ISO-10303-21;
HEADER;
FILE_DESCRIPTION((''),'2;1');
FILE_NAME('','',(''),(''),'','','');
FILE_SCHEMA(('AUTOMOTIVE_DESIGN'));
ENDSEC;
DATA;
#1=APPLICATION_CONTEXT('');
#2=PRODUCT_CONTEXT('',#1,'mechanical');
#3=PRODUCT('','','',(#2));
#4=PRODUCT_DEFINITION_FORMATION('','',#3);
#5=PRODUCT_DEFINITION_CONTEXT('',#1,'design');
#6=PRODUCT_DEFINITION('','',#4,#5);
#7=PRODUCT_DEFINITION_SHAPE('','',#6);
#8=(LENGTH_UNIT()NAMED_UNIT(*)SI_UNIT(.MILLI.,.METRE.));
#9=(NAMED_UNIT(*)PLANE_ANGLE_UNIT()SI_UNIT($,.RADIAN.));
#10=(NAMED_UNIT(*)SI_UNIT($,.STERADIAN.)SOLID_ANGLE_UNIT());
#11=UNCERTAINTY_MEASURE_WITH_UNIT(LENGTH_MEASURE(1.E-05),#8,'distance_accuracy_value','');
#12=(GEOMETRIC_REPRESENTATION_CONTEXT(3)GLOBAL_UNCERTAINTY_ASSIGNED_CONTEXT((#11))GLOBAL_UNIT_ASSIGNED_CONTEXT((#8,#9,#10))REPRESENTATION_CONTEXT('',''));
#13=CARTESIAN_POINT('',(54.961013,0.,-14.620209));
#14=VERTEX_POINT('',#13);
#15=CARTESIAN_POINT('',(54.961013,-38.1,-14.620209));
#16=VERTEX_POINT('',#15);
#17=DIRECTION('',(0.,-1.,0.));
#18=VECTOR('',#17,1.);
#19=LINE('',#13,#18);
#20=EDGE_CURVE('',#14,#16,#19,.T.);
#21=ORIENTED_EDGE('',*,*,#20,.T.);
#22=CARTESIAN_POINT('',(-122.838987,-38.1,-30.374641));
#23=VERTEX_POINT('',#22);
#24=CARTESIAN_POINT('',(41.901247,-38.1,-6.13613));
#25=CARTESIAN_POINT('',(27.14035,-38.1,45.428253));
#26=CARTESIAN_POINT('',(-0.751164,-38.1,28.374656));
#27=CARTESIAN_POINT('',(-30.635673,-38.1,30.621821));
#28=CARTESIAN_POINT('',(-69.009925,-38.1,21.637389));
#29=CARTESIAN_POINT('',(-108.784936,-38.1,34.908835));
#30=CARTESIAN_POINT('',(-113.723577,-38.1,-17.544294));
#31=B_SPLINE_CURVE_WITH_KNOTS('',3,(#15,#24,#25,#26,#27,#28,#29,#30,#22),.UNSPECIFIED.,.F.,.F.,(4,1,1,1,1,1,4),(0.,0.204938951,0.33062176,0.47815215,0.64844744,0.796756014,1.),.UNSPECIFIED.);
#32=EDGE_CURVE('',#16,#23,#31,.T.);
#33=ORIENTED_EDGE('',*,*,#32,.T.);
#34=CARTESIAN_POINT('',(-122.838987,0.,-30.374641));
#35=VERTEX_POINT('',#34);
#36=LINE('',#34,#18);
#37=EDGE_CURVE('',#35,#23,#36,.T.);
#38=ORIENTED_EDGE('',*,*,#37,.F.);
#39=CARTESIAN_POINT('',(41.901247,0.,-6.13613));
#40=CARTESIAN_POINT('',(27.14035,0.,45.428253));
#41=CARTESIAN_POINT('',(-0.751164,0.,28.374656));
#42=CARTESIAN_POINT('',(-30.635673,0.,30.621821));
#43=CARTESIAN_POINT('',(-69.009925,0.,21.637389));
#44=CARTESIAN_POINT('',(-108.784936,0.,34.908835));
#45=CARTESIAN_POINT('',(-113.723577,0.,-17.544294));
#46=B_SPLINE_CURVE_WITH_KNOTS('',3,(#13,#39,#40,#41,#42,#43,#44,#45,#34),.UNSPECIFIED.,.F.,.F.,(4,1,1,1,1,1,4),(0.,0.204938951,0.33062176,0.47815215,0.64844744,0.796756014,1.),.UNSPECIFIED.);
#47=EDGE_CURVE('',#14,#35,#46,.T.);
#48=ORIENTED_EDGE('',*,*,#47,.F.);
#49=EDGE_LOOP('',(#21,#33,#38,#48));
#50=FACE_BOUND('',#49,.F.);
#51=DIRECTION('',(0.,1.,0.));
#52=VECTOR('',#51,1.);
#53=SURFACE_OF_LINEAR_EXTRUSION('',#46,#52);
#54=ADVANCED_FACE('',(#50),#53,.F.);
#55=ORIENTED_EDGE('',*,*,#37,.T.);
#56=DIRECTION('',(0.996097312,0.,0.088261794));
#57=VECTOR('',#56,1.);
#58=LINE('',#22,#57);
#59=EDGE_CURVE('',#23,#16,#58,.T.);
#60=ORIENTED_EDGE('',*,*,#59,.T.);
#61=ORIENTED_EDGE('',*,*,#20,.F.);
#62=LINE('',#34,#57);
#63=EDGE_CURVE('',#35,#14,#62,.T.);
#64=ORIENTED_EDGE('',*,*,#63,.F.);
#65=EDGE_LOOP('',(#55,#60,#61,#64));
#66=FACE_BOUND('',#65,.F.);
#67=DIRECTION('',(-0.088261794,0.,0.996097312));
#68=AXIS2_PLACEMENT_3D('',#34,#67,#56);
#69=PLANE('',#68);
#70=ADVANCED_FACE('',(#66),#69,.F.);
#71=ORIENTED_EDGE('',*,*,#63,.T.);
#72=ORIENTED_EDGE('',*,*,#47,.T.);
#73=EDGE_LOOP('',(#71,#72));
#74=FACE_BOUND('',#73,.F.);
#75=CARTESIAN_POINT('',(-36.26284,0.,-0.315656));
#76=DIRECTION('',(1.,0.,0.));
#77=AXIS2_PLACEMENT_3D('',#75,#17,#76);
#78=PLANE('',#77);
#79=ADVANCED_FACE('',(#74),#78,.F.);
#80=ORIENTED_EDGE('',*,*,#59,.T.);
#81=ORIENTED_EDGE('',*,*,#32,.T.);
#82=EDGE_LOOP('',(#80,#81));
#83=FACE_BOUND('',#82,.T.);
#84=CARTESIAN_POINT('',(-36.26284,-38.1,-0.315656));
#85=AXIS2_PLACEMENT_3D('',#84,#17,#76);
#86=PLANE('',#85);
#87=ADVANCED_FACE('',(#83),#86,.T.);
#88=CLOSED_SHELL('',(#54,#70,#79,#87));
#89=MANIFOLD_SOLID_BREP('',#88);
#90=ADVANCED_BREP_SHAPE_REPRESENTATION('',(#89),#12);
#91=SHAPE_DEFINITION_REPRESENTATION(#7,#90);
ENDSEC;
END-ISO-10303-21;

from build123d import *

# Parameters (mm, degrees)
F1_DEPTH = 38.1


with BuildPart() as f1:
    # F0 (on Front) → F1 (new body)
    with BuildSketch(Plane.XZ):
        with BuildLine():
            Line((-122.8389866643, -30.3746408513), (54.9610133357, -14.6202093059))
            add(Edge.make_bspline(
                [(54.9610133357, -14.6202093059), (41.9012466578, -6.1361298091), (27.140350462, 45.4282527472), (-0.7511636723, 28.3746561727), (-30.6356734242, 30.6218207922), (-69.0099252076, 21.6373892806), (-108.7849362514, 34.908834704), (-113.723576803, -17.5442936162), (-122.8389866643, -30.3746408513)],
                knots=[0, 0, 0, 0, 0.2049389514, 0.3306217596, 0.4781521495, 0.6484474398, 0.7967560145, 1, 1, 1, 1], degree=3))
        make_face()
    extrude(amount=F1_DEPTH)


solid = f1.part
